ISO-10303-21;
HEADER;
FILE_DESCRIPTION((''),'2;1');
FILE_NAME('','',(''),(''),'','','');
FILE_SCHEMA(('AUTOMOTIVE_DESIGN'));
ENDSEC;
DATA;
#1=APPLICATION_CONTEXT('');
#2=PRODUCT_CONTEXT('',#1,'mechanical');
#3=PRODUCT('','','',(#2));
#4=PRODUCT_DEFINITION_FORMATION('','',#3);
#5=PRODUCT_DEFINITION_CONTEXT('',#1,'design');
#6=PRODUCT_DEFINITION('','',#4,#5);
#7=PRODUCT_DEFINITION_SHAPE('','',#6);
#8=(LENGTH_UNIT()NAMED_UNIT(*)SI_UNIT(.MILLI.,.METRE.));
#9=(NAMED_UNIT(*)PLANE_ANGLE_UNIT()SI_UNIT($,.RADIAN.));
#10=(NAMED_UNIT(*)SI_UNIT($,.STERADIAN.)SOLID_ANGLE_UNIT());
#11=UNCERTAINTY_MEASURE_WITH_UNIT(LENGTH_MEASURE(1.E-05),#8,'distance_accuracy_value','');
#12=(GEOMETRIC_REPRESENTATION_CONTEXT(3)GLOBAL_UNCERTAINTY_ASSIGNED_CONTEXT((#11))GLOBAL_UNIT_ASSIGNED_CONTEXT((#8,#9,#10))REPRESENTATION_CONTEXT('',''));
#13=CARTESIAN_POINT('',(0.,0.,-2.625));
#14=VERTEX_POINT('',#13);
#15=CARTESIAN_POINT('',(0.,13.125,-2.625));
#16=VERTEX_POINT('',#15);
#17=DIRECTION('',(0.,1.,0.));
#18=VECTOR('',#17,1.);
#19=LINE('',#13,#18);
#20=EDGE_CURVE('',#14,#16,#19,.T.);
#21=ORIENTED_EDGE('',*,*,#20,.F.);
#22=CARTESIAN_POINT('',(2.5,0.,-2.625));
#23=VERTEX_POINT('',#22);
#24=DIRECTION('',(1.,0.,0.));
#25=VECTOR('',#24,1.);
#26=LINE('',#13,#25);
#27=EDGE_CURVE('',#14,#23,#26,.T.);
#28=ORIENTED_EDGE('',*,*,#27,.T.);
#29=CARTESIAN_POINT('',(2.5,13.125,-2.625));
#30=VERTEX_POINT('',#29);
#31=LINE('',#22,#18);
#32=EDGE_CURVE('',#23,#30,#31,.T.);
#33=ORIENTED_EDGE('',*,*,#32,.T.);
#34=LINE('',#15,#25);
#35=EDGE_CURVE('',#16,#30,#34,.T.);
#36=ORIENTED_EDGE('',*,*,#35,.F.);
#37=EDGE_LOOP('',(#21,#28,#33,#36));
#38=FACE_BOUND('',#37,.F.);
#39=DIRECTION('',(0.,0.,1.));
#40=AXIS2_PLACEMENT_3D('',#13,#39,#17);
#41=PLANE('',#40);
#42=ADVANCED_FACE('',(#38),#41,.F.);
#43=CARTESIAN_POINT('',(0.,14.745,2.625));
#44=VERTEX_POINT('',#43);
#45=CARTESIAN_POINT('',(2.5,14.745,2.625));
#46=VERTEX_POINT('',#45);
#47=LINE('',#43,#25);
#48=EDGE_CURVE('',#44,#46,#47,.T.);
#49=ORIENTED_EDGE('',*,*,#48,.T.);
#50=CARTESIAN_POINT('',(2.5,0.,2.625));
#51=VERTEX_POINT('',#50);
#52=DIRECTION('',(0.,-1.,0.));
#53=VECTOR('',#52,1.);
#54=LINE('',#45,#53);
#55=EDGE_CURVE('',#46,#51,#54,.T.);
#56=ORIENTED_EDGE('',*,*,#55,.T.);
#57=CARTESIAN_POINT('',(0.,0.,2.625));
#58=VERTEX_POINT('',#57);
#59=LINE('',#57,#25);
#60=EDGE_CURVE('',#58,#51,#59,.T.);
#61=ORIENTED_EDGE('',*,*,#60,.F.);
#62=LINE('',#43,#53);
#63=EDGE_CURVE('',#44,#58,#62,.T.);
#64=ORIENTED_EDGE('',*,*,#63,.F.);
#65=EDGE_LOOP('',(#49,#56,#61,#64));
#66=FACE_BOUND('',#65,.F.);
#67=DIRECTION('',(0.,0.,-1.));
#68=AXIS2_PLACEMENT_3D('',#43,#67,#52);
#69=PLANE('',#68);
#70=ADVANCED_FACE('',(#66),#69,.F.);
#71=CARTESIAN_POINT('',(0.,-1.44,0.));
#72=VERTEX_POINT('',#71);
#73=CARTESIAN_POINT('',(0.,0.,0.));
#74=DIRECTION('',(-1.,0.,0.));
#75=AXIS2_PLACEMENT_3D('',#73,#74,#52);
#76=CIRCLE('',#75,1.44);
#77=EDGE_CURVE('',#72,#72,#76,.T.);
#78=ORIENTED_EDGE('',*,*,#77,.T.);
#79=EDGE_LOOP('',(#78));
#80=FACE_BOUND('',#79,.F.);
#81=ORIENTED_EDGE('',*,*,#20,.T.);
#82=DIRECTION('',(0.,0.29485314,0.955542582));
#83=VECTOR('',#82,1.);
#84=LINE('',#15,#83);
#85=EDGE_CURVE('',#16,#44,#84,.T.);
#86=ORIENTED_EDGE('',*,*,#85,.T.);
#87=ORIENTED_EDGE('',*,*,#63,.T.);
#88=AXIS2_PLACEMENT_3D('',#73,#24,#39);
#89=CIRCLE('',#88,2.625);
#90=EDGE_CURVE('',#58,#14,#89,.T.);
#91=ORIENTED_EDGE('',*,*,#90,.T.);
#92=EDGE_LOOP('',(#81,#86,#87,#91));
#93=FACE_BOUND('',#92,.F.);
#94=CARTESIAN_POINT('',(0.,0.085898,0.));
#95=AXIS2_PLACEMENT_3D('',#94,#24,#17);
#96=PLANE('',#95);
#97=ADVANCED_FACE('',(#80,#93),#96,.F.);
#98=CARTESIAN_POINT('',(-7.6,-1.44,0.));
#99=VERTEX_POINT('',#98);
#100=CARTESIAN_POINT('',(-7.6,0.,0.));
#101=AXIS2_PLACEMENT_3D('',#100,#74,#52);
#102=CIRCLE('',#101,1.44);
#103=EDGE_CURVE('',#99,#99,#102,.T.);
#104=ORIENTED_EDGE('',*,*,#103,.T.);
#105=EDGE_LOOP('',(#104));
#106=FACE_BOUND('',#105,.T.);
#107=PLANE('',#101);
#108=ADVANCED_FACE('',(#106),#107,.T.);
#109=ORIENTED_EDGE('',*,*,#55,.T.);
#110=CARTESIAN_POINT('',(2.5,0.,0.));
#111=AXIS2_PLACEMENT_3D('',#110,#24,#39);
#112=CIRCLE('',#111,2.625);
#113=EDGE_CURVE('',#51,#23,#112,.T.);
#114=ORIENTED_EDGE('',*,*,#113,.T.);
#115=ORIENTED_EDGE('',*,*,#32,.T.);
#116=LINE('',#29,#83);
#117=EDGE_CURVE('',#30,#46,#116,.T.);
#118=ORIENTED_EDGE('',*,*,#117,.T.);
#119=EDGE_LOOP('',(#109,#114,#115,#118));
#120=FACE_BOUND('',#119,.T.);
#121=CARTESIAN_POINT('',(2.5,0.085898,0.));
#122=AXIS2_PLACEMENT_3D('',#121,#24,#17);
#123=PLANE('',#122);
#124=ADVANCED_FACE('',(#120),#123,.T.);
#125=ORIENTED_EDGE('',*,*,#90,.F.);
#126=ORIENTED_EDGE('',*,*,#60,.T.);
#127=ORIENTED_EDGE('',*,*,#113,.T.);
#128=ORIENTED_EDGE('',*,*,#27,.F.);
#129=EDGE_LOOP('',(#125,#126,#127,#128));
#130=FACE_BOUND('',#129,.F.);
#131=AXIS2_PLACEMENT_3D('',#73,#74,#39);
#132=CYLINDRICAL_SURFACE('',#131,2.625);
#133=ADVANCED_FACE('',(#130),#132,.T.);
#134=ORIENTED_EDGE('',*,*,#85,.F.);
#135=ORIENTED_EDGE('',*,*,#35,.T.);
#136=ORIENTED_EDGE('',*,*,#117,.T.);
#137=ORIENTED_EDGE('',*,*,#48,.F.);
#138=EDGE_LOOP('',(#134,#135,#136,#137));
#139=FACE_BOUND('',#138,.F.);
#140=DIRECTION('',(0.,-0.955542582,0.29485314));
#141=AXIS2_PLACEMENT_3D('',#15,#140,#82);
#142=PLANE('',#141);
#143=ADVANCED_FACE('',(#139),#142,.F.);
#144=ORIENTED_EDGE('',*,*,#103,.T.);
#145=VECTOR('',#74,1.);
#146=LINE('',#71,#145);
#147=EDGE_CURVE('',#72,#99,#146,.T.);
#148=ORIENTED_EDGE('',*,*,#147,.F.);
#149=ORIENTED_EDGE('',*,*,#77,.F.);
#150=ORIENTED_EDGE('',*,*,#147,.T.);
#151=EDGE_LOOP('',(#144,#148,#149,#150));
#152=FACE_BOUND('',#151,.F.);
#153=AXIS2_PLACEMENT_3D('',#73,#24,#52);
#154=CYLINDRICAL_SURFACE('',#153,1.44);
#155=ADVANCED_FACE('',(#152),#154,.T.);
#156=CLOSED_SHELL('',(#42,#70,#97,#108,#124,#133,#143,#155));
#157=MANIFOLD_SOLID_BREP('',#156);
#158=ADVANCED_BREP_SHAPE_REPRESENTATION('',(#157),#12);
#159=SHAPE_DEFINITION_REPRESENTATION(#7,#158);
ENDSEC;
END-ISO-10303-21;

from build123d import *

# Parameters (mm, degrees)
F1_DEPTH = 2.5
F2_R     = 1.44
F3_DEPTH = 7.6


with BuildPart() as f1:
    # F0 (on Right) → F1 (new body)
    with BuildSketch(Plane.YZ):
        with BuildLine():
            ThreePointArc((0, -2.625), (1.856155, -1.856155), (2.625, 0))
            ThreePointArc((2.625, 0), (1.856155, 1.856155), (0, 2.625))
            ThreePointArc((0, 2.625), (-2.625, 0), (0, -2.625))
        make_face()
        with BuildLine():
            ThreePointArc((0, 2.625), (1.856155, 1.856155), (2.625, 0))
            ThreePointArc((2.625, 0), (1.856155, -1.856155), (0, -2.625))
            Line((0, -2.625), (13.125, -2.625))
            Line((13.125, -2.625), (14.745, 2.625))
            Line((14.745, 2.625), (0, 2.625))
        make_face()
    extrude(amount=F1_DEPTH)

    # F2 (on face) → F3 (join)
    with BuildSketch(Plane(origin=(0, 0, 0), x_dir=(0, -1, 0), z_dir=(-1, 0, 0))):
        Circle(F2_R)
    extrude(amount=F3_DEPTH)


solid = f1.part
